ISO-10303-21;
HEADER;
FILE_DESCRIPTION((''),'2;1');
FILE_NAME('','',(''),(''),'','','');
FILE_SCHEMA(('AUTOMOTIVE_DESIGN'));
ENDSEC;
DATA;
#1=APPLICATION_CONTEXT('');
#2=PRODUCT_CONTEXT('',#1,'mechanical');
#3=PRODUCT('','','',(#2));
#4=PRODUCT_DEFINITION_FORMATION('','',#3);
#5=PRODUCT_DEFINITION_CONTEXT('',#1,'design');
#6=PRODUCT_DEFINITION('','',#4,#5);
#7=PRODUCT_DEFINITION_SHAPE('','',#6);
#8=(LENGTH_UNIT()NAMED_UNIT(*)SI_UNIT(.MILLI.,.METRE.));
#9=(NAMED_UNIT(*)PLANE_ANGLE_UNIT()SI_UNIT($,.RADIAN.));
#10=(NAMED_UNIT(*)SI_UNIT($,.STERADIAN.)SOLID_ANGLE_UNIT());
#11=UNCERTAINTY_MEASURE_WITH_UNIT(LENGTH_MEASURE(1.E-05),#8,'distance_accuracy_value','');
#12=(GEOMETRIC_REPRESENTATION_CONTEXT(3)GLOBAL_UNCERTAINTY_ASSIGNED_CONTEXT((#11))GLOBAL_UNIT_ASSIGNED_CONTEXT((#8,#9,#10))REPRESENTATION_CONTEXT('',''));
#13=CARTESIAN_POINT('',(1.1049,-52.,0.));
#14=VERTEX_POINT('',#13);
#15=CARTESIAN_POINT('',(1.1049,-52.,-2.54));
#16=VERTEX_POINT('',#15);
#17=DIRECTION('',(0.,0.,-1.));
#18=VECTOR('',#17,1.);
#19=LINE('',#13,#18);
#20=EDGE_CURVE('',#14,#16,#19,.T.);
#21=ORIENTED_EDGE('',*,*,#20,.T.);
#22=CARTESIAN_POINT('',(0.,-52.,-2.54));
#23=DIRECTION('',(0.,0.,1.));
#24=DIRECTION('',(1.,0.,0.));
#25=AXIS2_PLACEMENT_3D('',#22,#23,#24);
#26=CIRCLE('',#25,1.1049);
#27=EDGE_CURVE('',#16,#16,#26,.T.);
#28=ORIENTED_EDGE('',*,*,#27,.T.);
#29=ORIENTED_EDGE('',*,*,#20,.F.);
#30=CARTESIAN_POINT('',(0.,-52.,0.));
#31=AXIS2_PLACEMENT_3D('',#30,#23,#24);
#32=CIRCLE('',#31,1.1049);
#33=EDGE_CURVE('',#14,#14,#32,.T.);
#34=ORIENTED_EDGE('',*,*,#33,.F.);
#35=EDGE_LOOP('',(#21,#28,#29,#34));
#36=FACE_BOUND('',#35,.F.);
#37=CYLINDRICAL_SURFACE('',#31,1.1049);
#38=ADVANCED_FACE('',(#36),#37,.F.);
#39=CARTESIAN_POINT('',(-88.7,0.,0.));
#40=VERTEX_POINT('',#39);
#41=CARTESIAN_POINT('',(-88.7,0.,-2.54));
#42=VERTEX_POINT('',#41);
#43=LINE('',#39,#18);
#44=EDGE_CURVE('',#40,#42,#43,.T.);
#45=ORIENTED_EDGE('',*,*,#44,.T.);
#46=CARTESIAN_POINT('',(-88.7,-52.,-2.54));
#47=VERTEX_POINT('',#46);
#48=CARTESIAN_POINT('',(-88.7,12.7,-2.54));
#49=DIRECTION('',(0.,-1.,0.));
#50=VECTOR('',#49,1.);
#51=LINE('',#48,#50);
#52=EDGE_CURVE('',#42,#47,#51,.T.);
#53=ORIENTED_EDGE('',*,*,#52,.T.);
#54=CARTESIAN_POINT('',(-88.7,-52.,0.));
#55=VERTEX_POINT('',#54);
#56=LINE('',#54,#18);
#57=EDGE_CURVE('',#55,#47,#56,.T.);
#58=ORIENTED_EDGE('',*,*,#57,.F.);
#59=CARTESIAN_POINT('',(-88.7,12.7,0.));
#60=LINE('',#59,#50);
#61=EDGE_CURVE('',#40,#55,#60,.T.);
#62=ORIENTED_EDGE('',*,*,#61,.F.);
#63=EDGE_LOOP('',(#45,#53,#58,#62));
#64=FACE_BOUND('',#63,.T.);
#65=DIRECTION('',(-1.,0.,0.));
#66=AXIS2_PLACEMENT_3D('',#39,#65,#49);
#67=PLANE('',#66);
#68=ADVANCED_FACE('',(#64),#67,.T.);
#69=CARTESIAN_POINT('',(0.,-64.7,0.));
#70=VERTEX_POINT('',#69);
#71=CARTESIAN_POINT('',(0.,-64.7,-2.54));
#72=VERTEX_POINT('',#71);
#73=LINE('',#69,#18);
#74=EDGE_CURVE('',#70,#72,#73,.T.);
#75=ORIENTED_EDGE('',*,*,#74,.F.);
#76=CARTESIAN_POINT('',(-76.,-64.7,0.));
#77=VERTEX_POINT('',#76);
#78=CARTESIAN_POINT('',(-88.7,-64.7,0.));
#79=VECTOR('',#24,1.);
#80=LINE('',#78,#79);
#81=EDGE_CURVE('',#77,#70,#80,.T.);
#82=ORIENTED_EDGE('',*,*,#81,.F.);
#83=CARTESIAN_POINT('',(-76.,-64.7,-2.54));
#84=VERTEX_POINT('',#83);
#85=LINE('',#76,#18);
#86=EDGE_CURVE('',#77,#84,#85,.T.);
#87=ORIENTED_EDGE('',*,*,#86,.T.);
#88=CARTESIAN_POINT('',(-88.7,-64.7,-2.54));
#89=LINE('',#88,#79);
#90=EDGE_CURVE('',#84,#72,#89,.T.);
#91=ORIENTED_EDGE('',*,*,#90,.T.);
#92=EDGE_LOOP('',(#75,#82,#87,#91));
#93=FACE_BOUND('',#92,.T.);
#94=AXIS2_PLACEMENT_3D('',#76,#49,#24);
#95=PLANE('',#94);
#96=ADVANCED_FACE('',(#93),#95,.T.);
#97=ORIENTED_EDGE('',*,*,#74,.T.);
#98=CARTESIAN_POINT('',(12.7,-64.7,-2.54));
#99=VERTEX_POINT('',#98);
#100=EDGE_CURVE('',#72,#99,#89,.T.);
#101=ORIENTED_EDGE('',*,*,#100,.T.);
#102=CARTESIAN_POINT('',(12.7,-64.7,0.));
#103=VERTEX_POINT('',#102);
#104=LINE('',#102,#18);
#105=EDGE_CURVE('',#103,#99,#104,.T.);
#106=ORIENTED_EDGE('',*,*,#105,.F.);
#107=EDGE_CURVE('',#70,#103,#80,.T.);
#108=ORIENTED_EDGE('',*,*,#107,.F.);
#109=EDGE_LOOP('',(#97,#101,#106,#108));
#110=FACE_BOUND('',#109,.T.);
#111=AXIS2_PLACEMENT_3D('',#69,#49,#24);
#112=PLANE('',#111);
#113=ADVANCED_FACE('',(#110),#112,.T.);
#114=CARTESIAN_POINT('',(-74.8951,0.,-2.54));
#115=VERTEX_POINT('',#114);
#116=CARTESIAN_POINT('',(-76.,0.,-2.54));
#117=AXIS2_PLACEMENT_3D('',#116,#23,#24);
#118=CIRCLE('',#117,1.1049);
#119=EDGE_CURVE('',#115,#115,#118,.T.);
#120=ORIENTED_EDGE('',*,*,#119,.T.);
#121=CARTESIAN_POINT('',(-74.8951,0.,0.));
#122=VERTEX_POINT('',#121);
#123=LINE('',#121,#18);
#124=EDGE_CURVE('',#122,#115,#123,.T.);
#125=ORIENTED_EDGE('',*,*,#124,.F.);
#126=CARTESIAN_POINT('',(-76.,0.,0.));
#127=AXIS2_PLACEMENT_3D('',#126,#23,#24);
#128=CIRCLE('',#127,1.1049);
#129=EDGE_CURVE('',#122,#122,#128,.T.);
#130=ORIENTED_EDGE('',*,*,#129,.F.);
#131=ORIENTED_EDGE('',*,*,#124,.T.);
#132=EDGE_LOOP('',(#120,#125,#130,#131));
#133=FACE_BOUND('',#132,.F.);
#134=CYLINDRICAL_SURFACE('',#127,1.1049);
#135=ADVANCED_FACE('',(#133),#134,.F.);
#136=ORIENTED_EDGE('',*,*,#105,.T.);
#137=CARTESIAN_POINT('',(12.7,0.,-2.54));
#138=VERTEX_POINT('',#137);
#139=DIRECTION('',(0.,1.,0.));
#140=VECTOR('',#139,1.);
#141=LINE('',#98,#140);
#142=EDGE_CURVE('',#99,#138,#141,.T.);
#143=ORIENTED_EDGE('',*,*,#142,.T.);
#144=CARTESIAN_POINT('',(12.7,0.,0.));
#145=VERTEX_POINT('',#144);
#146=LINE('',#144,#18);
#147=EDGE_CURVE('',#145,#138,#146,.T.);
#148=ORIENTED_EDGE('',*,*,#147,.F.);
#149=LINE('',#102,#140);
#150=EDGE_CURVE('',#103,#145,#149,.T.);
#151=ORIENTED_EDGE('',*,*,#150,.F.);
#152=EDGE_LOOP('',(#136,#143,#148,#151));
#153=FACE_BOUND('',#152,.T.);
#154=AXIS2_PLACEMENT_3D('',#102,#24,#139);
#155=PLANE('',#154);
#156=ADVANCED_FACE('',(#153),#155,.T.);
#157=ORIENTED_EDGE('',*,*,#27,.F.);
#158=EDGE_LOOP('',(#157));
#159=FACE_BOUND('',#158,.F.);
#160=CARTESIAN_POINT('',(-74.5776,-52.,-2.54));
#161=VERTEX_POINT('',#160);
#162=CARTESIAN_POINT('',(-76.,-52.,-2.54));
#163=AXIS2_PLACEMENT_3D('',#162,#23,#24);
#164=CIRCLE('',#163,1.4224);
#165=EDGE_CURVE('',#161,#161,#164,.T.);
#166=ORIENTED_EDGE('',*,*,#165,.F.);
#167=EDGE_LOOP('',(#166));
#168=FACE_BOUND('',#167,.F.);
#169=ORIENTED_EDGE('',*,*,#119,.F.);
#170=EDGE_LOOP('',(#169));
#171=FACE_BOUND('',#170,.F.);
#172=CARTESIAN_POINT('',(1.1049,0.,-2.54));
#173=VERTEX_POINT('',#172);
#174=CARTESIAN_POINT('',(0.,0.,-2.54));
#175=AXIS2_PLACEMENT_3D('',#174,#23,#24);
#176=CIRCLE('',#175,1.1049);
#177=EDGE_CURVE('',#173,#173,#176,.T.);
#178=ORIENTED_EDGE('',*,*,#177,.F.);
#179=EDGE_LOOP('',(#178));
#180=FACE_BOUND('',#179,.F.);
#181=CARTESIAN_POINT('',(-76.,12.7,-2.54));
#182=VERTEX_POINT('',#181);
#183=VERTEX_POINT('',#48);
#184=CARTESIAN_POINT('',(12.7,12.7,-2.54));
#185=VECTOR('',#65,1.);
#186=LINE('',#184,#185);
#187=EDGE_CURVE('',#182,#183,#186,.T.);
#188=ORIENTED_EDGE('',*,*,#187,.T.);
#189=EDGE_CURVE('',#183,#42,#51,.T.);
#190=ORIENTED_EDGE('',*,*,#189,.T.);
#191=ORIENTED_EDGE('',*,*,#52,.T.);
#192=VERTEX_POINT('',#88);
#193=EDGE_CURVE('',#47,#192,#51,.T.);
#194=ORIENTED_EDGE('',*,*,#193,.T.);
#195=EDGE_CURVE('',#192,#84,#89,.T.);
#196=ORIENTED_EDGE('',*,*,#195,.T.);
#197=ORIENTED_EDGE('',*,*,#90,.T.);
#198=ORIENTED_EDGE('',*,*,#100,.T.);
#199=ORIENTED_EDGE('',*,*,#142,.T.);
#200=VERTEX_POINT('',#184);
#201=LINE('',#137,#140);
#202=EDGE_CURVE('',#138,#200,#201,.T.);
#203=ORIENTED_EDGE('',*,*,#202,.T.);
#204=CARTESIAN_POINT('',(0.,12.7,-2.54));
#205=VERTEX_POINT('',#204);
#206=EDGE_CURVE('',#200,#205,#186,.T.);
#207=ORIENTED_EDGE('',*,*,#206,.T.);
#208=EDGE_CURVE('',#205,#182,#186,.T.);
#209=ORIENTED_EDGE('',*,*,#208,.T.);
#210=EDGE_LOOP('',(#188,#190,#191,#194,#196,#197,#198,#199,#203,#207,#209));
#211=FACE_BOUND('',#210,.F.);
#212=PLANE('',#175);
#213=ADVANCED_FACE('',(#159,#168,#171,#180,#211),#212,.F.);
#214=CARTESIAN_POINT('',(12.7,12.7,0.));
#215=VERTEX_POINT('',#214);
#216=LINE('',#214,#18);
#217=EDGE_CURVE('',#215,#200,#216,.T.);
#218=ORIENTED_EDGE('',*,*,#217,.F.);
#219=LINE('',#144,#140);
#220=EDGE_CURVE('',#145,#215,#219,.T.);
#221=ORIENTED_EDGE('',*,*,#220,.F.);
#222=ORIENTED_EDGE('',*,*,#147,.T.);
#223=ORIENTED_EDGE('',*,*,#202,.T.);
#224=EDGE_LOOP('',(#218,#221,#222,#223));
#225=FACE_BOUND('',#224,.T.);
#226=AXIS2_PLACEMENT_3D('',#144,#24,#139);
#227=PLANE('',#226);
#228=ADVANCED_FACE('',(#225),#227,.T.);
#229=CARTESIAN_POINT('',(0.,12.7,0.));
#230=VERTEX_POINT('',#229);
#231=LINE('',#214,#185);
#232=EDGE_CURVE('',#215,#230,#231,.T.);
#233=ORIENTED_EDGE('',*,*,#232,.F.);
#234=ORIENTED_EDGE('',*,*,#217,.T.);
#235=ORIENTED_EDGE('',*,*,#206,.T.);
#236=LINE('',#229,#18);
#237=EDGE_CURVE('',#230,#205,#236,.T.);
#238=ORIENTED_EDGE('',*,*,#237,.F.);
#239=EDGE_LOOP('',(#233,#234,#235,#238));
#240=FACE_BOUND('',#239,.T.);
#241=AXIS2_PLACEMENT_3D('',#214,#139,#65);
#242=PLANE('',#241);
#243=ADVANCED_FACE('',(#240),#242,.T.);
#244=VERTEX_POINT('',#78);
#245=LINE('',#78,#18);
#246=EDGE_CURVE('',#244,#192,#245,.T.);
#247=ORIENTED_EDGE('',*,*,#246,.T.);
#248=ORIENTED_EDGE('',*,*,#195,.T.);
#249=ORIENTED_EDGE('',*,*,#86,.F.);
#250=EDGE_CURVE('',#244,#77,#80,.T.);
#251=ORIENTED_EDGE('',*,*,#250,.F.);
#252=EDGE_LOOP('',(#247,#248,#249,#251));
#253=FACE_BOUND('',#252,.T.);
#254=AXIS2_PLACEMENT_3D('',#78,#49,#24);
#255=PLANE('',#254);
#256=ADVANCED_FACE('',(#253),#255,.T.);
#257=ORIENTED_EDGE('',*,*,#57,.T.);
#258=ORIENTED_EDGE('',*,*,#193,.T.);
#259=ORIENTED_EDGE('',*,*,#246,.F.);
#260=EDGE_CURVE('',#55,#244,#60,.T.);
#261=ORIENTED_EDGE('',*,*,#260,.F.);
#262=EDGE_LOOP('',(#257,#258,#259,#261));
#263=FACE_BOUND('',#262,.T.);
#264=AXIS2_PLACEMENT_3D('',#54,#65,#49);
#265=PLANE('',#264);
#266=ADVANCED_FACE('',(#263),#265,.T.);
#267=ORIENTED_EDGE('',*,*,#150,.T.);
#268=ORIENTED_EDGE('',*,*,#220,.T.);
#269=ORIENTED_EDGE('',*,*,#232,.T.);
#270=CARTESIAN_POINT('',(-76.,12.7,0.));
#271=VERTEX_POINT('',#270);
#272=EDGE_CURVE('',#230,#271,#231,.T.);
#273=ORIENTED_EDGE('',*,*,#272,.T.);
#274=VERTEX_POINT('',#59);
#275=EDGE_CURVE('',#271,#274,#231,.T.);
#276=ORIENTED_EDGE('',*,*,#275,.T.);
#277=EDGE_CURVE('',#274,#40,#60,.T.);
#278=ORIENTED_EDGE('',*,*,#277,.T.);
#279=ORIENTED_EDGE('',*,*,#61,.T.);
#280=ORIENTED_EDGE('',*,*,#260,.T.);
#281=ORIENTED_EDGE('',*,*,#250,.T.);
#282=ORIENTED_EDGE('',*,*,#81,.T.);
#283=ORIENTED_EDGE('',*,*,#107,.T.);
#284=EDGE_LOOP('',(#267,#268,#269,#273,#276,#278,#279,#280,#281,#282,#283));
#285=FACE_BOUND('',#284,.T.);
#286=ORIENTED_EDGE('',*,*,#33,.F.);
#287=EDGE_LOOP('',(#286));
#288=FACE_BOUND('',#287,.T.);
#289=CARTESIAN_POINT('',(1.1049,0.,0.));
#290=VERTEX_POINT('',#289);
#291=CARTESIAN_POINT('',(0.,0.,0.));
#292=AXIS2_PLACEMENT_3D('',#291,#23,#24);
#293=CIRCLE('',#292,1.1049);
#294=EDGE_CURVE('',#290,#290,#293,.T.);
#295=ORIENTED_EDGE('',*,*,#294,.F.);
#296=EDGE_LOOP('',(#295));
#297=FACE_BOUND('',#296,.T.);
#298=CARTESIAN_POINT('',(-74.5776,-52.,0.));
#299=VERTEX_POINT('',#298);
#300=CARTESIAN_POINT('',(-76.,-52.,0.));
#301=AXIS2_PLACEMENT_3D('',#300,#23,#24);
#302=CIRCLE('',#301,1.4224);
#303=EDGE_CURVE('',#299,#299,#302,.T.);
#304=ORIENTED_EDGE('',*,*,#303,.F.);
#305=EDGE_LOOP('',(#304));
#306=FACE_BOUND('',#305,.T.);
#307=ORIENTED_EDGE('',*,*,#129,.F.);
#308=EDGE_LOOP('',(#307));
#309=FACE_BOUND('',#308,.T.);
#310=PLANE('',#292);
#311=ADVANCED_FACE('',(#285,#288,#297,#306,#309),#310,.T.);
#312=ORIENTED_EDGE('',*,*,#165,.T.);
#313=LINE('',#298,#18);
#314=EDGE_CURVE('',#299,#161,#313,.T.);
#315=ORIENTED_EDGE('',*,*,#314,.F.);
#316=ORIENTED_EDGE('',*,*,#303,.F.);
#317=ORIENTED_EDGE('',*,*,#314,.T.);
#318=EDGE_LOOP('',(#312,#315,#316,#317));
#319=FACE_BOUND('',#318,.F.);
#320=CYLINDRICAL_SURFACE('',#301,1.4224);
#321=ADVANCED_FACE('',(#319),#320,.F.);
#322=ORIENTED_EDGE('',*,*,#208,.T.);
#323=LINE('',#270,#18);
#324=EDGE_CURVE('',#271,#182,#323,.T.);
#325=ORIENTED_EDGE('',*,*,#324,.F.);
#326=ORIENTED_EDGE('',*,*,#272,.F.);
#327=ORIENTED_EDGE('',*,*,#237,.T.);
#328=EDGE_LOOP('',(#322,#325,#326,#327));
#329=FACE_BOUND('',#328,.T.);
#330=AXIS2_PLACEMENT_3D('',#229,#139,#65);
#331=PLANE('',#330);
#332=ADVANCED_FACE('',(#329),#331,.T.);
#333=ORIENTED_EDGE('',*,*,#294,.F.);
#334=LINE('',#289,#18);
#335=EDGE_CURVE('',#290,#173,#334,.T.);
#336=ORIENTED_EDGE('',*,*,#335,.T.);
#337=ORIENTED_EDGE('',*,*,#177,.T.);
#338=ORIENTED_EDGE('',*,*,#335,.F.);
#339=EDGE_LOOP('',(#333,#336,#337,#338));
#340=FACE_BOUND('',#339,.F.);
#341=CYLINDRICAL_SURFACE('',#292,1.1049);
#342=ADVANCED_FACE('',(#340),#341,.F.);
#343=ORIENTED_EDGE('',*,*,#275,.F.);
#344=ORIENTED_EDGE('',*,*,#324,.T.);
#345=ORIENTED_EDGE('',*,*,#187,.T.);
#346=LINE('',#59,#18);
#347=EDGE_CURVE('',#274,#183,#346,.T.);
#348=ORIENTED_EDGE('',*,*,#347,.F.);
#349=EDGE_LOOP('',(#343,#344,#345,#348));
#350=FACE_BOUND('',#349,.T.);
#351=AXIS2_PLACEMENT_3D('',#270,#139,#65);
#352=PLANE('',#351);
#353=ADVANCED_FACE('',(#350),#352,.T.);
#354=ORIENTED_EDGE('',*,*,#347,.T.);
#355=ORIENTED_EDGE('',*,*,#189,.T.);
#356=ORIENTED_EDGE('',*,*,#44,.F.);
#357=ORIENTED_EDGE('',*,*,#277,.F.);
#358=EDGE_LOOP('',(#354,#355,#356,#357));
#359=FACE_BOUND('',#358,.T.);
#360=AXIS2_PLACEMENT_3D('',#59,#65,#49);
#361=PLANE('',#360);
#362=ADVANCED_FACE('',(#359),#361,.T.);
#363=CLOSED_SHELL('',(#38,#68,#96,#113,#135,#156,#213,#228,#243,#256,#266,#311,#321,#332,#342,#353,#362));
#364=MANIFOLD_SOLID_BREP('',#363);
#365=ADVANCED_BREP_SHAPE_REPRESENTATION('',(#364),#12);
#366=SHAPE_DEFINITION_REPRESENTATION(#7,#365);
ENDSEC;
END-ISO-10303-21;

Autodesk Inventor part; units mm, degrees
ref_plane "YZ Plane" through (0, 0, 0) normal (1, 0, 0) x (0, 1, 0)
ref_plane "XZ Plane" through (0, 0, 0) normal (0, 1, 0) x (-1, 0, 0)
ref_plane "XY Plane" through (0, 0, 0) normal (0, 0, 1) x (1, 0, 0)
sketch "Sketch1" plane through (0, 0, 0) normal (0, 0, 1) x (1, 0, 0)
  line L0 (12.7, 0) -> (12.7, 12.7)
  circle A0 centre (-76, -52) radius 1.4224 projected
  line L1 (-88.7, -64.7) -> (-76, -64.7)
  line L2 (-88.7, -64.7) -> (12.7, -64.7)
  line L3 (12.7, -64.7) -> (12.7, 12.7)
  line L4 (12.7, 12.7) -> (-88.7, 12.7)
  line L5 (-88.7, 12.7) -> (-88.7, -64.7)
  line L6 (-88.7, 12.7) -> (-76, 12.7)
  line L7 (-88.7, 0) -> (-88.7, 12.7)
  line L8 (-88.7, -64.7) -> (-76, -64.7)
  line L9 (-88.7, -52) -> (-88.7, -64.7)
  line L10 (12.7, -64.7) -> (0, -64.7)
  line L11 (12.7, 12.7) -> (0, 12.7)
  line L12 (12.7, 0) -> (12.7, 12.7)
  circle A1 centre (-76, 0) radius 1.1049
  circle A2 centre (-76, -52) radius 1.1049
  circle A3 centre (0, 0) radius 1.1049
  circle A4 centre (0, -52) radius 1.1049
  dimension "d1" = 12.7
  dimension "d2" = 12.7
  dimension "d10" = 12.7
  dimension "d11" = 12.7
  dimension "d12" = 2.2098
  dimension "d13" = 2.2098
  dimension "d14" = 2.2098
  dimension "d15" = 2.2098
extrude "Extrusion2" add sketch "Sketch1" against normal blind 2.54 contours L3 L2 L1 L5 L4 L0
properties part number "BasePlate"
